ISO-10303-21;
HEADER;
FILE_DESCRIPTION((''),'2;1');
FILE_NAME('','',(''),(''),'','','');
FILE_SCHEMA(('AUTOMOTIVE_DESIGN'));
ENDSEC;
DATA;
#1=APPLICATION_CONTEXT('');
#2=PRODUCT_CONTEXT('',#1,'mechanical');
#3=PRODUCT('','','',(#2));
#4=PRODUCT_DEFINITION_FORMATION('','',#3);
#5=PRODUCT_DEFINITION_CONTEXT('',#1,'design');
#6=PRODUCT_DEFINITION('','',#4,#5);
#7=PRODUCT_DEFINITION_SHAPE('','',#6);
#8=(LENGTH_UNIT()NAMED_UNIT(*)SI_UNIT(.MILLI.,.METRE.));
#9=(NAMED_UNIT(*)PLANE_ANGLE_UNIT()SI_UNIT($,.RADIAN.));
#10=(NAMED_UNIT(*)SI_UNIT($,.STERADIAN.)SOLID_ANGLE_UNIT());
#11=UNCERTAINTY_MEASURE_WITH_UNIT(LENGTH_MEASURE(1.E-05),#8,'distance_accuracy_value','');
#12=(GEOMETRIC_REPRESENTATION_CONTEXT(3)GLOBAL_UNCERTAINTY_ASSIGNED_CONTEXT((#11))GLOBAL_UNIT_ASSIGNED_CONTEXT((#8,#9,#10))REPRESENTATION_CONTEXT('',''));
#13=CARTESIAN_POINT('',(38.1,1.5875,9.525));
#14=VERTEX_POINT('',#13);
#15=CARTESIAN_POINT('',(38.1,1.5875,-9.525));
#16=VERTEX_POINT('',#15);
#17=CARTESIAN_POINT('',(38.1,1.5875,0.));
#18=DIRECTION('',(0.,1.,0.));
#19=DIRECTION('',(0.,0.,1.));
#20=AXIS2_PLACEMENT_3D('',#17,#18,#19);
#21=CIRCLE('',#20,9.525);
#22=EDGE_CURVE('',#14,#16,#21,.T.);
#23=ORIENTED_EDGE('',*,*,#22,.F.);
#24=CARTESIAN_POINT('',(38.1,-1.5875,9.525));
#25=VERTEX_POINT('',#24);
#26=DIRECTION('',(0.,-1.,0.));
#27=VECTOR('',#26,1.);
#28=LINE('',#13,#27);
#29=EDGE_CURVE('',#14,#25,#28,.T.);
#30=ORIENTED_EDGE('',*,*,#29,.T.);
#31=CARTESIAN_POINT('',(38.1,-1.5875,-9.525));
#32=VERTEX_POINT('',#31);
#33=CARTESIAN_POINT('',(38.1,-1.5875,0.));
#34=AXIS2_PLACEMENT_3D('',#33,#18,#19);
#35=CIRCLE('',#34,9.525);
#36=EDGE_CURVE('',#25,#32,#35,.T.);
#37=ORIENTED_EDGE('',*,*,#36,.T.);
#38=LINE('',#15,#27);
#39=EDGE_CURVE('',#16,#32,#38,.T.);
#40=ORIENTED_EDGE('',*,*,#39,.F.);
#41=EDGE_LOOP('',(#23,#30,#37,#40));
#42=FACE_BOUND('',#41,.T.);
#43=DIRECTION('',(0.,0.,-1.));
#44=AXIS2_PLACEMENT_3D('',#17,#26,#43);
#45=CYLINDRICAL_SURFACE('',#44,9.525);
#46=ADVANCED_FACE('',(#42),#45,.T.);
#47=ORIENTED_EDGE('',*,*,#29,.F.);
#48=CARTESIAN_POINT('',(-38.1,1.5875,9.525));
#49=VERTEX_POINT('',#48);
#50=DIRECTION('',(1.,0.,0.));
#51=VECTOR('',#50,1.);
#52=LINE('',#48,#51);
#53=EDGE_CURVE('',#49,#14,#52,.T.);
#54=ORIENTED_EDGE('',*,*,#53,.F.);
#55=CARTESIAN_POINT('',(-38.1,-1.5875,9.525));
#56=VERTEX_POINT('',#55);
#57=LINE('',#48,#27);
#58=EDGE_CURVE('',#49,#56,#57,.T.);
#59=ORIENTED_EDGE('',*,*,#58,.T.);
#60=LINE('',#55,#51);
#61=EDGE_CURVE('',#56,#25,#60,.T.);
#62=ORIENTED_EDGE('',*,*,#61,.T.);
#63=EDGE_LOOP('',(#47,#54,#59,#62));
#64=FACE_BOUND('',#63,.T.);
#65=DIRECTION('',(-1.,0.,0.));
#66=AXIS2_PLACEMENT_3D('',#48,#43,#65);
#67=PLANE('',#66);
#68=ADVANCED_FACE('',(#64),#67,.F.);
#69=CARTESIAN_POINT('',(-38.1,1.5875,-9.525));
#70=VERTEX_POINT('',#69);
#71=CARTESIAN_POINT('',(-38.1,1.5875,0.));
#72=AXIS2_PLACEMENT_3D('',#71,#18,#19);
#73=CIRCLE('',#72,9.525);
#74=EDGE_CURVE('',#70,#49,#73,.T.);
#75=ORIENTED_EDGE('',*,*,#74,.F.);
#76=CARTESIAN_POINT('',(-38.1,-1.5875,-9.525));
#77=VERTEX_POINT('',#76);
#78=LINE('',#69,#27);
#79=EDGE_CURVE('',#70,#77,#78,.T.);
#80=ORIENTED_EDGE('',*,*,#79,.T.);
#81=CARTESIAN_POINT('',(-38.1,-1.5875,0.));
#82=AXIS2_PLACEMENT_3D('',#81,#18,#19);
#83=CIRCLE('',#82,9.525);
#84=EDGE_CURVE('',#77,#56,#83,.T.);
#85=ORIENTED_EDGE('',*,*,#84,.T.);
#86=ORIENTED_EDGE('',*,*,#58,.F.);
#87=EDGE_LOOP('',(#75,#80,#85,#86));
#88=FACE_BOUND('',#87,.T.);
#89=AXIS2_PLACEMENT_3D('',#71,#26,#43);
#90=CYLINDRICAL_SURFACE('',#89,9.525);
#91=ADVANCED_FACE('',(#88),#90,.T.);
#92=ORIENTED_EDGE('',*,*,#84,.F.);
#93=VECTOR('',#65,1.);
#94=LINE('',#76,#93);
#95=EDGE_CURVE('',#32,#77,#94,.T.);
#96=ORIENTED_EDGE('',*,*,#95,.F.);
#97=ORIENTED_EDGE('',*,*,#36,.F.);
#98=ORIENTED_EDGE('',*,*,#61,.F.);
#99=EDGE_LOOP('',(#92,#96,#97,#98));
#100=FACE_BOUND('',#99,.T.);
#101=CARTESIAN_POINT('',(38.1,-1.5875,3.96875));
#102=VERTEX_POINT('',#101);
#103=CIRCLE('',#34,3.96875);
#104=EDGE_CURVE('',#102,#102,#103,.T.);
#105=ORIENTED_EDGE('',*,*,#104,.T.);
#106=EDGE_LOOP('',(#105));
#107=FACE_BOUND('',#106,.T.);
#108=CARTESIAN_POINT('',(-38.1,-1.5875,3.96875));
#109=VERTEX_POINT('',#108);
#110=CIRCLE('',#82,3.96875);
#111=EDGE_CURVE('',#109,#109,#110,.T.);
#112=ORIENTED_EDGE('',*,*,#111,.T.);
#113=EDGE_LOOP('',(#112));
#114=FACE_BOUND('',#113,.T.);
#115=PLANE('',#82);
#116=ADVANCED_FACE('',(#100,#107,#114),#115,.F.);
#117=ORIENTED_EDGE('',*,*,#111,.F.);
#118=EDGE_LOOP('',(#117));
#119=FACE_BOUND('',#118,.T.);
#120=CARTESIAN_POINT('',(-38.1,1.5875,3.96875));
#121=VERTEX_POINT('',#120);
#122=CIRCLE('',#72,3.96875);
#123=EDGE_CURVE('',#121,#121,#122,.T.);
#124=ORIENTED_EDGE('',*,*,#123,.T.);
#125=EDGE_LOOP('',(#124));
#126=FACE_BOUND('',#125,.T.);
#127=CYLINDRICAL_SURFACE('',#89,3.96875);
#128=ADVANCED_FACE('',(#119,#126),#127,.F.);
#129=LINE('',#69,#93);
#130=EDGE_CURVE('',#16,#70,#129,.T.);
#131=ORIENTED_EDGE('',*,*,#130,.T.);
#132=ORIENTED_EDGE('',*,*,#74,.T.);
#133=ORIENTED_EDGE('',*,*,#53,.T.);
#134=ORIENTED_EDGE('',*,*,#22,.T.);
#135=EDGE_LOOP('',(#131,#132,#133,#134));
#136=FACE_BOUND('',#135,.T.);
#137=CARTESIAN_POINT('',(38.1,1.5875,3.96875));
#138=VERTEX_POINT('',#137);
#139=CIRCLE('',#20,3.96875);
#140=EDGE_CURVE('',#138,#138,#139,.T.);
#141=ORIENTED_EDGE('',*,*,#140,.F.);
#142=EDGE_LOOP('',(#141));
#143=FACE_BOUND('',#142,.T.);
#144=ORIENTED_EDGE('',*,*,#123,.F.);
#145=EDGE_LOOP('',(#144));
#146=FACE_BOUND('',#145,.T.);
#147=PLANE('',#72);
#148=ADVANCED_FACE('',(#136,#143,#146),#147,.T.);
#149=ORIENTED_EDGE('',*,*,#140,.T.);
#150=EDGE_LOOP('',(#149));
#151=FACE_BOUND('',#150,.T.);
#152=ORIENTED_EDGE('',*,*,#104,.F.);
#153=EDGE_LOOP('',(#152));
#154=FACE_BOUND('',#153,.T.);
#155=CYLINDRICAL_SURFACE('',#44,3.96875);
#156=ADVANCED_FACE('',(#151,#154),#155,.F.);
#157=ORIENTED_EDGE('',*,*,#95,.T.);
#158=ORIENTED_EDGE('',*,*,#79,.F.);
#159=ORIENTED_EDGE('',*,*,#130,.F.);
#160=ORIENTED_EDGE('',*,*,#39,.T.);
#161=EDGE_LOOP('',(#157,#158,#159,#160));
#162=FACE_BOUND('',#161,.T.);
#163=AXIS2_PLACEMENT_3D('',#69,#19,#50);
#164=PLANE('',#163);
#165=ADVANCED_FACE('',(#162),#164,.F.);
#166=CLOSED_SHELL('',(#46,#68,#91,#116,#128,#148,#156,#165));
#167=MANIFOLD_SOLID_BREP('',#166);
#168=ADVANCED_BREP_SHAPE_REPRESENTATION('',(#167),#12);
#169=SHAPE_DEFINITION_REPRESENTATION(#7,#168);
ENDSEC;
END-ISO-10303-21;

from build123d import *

# Parameters (mm, degrees)
SKETCH1_R           = 3.96875
BOSS_EXTRUDE1_DEPTH = 1.5875


with BuildPart() as part:
    # Sketch1 → Boss-Extrude1 (new, symmetric)
    with BuildSketch(Plane(origin=(0, 0, 0), x_dir=(1, 0, 0), z_dir=(0, 1, 0))):
        with BuildLine():
            Line((-38.1, 9.525), (38.1, 9.525))
            ThreePointArc((38.1, 9.525), (47.625, 0), (38.1, -9.525))
            Line((38.1, -9.525), (-38.1, -9.525))
            ThreePointArc((-38.1, -9.525), (-47.625, 0), (-38.1, 9.525))
        make_face()
        with Locations(Location((-38.1, 0, 0), (0, 0, 270))):
            Circle(SKETCH1_R, mode=Mode.SUBTRACT)
        with Locations(Location((38.1, 0, 0), (0, 0, 270))):
            Circle(SKETCH1_R, mode=Mode.SUBTRACT)
    extrude(amount=BOSS_EXTRUDE1_DEPTH, both=True)


solid = part.part
